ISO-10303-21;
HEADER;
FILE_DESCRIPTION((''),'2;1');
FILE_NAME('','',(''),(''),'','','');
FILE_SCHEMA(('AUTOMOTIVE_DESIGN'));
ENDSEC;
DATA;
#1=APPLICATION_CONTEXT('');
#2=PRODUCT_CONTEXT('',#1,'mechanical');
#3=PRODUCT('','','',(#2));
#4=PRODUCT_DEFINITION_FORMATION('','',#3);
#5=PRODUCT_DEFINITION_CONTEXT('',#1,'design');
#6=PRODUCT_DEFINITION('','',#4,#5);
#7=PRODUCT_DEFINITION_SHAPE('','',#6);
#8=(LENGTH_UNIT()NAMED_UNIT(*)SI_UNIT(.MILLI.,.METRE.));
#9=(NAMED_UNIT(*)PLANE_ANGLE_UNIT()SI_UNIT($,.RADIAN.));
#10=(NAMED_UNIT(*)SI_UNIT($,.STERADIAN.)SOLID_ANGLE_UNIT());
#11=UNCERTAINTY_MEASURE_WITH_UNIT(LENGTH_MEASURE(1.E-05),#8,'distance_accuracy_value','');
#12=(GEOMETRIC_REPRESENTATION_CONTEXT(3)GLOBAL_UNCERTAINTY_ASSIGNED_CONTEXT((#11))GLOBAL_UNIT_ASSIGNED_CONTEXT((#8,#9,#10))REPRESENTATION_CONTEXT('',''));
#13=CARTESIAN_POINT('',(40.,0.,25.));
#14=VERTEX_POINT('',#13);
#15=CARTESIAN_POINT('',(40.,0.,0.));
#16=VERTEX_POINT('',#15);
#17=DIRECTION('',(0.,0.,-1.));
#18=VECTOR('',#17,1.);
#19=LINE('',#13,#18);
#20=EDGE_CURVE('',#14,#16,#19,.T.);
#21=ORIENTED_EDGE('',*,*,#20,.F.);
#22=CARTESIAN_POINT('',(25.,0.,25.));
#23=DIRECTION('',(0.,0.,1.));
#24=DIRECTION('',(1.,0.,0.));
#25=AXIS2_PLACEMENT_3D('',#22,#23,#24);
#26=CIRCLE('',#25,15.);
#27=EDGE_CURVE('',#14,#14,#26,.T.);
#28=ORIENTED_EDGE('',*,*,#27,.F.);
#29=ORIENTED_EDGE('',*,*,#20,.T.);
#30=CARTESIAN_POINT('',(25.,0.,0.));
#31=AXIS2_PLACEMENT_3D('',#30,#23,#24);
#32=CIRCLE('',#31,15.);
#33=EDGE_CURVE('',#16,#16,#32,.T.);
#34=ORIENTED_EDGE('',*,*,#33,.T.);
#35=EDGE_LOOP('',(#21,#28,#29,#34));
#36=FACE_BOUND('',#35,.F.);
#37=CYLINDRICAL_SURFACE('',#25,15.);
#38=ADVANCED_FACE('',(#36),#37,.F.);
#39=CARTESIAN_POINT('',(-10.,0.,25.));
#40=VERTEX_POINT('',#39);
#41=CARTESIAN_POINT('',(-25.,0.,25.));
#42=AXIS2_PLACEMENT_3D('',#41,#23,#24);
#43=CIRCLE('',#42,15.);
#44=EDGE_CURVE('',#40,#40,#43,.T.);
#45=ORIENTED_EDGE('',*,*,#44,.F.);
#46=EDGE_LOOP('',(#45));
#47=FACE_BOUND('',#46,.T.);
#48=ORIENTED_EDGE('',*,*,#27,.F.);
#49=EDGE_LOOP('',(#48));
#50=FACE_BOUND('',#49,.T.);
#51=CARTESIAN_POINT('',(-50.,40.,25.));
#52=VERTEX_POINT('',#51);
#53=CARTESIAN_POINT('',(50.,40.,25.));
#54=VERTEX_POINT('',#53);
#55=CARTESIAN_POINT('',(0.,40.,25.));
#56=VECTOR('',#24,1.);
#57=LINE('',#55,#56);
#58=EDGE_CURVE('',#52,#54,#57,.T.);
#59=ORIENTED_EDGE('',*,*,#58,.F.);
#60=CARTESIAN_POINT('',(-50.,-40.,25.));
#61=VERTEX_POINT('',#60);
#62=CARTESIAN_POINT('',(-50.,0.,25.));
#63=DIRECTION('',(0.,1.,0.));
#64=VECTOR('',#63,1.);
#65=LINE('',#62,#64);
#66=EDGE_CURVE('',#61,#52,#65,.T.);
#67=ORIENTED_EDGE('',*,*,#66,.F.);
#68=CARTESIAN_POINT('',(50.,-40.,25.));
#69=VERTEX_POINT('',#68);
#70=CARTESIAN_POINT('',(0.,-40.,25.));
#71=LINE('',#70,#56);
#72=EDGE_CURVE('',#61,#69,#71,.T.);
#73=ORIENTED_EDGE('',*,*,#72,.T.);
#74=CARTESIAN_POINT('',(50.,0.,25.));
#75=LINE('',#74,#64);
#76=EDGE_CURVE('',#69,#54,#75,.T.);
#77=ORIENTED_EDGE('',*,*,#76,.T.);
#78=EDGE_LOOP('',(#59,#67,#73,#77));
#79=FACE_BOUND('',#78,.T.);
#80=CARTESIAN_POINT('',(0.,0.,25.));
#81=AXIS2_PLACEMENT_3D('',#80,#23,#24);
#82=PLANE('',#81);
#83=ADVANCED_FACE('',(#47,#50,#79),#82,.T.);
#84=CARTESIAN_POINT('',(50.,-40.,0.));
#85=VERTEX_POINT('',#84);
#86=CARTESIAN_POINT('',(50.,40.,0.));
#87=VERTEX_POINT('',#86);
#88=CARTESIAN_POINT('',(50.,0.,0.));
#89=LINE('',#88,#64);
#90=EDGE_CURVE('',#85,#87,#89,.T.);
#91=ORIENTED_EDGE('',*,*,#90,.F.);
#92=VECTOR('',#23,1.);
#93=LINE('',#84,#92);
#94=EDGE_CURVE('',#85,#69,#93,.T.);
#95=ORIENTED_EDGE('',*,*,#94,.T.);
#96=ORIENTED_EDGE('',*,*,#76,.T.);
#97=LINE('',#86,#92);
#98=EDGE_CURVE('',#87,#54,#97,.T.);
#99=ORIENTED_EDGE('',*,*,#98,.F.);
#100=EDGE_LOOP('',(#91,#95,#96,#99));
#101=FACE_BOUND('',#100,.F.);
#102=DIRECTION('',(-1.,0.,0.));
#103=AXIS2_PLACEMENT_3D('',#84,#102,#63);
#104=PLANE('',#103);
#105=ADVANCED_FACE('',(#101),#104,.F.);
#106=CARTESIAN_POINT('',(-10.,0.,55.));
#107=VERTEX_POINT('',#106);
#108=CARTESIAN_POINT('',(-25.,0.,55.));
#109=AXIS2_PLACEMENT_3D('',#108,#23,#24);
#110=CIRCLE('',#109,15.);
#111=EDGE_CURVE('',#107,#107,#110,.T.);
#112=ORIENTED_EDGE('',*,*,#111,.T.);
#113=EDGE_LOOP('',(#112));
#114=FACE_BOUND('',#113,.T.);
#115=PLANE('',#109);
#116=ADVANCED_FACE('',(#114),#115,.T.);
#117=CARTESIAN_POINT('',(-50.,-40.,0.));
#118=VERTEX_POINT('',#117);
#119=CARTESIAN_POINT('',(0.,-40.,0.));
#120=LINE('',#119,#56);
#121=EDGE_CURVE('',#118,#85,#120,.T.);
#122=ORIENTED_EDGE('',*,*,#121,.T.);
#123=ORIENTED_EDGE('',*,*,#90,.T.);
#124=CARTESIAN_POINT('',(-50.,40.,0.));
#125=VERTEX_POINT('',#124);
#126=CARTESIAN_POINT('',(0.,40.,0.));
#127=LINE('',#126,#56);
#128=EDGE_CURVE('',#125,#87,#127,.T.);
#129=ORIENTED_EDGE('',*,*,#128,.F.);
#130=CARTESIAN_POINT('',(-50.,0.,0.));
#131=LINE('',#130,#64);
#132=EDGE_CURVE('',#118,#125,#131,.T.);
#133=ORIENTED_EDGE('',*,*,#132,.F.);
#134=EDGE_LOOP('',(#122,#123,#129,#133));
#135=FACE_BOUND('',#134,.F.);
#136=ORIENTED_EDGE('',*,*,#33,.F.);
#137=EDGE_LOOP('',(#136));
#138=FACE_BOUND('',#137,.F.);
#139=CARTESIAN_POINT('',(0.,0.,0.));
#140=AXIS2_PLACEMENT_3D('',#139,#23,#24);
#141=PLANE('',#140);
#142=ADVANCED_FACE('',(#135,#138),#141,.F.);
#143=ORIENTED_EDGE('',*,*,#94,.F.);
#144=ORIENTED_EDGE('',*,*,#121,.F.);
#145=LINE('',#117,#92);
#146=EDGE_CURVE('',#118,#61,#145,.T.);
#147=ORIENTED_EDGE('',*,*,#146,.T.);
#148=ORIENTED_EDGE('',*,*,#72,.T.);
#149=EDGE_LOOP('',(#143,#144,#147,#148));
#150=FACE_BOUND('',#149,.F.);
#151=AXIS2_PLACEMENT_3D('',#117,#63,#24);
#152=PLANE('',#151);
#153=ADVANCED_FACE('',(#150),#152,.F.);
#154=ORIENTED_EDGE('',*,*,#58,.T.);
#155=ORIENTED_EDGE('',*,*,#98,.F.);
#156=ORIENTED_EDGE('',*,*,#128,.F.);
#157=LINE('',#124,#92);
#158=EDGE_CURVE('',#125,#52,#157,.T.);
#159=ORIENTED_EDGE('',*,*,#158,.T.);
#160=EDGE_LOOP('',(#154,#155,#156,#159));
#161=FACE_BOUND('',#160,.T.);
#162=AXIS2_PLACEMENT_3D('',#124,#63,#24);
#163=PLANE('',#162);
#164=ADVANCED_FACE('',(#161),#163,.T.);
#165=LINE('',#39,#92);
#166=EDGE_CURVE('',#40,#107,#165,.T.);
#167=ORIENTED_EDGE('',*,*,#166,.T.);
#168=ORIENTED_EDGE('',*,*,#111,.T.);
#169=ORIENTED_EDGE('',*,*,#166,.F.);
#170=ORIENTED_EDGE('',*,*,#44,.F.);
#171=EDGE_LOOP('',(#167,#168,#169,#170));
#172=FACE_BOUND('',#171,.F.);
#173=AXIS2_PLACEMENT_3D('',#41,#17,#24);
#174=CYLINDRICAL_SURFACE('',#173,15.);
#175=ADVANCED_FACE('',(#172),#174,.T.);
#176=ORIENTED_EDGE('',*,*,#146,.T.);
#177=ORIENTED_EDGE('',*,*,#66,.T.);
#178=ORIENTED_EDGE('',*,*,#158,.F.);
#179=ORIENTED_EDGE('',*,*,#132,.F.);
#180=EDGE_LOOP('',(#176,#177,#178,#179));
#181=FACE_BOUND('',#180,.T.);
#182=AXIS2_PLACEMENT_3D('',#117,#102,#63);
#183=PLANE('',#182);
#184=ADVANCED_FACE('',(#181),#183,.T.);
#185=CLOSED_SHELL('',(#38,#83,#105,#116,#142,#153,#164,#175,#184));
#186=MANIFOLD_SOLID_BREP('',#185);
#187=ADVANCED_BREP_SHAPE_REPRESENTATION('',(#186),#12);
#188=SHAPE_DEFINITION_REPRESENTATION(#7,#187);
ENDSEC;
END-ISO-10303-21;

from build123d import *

# Parameters (mm, degrees)
F0_W     = 100
F0_H     = 80
F1_DEPTH = 25
F2_R     = 15
F3_DEPTH = 30
F4_R     = 15
F5_DEPTH = 25


with BuildPart() as f1:
    # F0 (on Top) → F1 (new body)
    with BuildSketch(Plane.XY):
        Rectangle(F0_W, F0_H)
    extrude(amount=F1_DEPTH)

    # F2 (on face) → F3 (join)
    with BuildSketch(Plane.XY.offset(25)):
        with Locations((-25, 0)):
            Circle(F2_R)
    extrude(amount=F3_DEPTH)

    # F4 (on face) → F5 (cut)
    with BuildSketch(Plane.XY.offset(25)):
        with Locations((25, 0)):
            Circle(F4_R)
    extrude(amount=-F5_DEPTH, mode=Mode.SUBTRACT)


solid = f1.part
